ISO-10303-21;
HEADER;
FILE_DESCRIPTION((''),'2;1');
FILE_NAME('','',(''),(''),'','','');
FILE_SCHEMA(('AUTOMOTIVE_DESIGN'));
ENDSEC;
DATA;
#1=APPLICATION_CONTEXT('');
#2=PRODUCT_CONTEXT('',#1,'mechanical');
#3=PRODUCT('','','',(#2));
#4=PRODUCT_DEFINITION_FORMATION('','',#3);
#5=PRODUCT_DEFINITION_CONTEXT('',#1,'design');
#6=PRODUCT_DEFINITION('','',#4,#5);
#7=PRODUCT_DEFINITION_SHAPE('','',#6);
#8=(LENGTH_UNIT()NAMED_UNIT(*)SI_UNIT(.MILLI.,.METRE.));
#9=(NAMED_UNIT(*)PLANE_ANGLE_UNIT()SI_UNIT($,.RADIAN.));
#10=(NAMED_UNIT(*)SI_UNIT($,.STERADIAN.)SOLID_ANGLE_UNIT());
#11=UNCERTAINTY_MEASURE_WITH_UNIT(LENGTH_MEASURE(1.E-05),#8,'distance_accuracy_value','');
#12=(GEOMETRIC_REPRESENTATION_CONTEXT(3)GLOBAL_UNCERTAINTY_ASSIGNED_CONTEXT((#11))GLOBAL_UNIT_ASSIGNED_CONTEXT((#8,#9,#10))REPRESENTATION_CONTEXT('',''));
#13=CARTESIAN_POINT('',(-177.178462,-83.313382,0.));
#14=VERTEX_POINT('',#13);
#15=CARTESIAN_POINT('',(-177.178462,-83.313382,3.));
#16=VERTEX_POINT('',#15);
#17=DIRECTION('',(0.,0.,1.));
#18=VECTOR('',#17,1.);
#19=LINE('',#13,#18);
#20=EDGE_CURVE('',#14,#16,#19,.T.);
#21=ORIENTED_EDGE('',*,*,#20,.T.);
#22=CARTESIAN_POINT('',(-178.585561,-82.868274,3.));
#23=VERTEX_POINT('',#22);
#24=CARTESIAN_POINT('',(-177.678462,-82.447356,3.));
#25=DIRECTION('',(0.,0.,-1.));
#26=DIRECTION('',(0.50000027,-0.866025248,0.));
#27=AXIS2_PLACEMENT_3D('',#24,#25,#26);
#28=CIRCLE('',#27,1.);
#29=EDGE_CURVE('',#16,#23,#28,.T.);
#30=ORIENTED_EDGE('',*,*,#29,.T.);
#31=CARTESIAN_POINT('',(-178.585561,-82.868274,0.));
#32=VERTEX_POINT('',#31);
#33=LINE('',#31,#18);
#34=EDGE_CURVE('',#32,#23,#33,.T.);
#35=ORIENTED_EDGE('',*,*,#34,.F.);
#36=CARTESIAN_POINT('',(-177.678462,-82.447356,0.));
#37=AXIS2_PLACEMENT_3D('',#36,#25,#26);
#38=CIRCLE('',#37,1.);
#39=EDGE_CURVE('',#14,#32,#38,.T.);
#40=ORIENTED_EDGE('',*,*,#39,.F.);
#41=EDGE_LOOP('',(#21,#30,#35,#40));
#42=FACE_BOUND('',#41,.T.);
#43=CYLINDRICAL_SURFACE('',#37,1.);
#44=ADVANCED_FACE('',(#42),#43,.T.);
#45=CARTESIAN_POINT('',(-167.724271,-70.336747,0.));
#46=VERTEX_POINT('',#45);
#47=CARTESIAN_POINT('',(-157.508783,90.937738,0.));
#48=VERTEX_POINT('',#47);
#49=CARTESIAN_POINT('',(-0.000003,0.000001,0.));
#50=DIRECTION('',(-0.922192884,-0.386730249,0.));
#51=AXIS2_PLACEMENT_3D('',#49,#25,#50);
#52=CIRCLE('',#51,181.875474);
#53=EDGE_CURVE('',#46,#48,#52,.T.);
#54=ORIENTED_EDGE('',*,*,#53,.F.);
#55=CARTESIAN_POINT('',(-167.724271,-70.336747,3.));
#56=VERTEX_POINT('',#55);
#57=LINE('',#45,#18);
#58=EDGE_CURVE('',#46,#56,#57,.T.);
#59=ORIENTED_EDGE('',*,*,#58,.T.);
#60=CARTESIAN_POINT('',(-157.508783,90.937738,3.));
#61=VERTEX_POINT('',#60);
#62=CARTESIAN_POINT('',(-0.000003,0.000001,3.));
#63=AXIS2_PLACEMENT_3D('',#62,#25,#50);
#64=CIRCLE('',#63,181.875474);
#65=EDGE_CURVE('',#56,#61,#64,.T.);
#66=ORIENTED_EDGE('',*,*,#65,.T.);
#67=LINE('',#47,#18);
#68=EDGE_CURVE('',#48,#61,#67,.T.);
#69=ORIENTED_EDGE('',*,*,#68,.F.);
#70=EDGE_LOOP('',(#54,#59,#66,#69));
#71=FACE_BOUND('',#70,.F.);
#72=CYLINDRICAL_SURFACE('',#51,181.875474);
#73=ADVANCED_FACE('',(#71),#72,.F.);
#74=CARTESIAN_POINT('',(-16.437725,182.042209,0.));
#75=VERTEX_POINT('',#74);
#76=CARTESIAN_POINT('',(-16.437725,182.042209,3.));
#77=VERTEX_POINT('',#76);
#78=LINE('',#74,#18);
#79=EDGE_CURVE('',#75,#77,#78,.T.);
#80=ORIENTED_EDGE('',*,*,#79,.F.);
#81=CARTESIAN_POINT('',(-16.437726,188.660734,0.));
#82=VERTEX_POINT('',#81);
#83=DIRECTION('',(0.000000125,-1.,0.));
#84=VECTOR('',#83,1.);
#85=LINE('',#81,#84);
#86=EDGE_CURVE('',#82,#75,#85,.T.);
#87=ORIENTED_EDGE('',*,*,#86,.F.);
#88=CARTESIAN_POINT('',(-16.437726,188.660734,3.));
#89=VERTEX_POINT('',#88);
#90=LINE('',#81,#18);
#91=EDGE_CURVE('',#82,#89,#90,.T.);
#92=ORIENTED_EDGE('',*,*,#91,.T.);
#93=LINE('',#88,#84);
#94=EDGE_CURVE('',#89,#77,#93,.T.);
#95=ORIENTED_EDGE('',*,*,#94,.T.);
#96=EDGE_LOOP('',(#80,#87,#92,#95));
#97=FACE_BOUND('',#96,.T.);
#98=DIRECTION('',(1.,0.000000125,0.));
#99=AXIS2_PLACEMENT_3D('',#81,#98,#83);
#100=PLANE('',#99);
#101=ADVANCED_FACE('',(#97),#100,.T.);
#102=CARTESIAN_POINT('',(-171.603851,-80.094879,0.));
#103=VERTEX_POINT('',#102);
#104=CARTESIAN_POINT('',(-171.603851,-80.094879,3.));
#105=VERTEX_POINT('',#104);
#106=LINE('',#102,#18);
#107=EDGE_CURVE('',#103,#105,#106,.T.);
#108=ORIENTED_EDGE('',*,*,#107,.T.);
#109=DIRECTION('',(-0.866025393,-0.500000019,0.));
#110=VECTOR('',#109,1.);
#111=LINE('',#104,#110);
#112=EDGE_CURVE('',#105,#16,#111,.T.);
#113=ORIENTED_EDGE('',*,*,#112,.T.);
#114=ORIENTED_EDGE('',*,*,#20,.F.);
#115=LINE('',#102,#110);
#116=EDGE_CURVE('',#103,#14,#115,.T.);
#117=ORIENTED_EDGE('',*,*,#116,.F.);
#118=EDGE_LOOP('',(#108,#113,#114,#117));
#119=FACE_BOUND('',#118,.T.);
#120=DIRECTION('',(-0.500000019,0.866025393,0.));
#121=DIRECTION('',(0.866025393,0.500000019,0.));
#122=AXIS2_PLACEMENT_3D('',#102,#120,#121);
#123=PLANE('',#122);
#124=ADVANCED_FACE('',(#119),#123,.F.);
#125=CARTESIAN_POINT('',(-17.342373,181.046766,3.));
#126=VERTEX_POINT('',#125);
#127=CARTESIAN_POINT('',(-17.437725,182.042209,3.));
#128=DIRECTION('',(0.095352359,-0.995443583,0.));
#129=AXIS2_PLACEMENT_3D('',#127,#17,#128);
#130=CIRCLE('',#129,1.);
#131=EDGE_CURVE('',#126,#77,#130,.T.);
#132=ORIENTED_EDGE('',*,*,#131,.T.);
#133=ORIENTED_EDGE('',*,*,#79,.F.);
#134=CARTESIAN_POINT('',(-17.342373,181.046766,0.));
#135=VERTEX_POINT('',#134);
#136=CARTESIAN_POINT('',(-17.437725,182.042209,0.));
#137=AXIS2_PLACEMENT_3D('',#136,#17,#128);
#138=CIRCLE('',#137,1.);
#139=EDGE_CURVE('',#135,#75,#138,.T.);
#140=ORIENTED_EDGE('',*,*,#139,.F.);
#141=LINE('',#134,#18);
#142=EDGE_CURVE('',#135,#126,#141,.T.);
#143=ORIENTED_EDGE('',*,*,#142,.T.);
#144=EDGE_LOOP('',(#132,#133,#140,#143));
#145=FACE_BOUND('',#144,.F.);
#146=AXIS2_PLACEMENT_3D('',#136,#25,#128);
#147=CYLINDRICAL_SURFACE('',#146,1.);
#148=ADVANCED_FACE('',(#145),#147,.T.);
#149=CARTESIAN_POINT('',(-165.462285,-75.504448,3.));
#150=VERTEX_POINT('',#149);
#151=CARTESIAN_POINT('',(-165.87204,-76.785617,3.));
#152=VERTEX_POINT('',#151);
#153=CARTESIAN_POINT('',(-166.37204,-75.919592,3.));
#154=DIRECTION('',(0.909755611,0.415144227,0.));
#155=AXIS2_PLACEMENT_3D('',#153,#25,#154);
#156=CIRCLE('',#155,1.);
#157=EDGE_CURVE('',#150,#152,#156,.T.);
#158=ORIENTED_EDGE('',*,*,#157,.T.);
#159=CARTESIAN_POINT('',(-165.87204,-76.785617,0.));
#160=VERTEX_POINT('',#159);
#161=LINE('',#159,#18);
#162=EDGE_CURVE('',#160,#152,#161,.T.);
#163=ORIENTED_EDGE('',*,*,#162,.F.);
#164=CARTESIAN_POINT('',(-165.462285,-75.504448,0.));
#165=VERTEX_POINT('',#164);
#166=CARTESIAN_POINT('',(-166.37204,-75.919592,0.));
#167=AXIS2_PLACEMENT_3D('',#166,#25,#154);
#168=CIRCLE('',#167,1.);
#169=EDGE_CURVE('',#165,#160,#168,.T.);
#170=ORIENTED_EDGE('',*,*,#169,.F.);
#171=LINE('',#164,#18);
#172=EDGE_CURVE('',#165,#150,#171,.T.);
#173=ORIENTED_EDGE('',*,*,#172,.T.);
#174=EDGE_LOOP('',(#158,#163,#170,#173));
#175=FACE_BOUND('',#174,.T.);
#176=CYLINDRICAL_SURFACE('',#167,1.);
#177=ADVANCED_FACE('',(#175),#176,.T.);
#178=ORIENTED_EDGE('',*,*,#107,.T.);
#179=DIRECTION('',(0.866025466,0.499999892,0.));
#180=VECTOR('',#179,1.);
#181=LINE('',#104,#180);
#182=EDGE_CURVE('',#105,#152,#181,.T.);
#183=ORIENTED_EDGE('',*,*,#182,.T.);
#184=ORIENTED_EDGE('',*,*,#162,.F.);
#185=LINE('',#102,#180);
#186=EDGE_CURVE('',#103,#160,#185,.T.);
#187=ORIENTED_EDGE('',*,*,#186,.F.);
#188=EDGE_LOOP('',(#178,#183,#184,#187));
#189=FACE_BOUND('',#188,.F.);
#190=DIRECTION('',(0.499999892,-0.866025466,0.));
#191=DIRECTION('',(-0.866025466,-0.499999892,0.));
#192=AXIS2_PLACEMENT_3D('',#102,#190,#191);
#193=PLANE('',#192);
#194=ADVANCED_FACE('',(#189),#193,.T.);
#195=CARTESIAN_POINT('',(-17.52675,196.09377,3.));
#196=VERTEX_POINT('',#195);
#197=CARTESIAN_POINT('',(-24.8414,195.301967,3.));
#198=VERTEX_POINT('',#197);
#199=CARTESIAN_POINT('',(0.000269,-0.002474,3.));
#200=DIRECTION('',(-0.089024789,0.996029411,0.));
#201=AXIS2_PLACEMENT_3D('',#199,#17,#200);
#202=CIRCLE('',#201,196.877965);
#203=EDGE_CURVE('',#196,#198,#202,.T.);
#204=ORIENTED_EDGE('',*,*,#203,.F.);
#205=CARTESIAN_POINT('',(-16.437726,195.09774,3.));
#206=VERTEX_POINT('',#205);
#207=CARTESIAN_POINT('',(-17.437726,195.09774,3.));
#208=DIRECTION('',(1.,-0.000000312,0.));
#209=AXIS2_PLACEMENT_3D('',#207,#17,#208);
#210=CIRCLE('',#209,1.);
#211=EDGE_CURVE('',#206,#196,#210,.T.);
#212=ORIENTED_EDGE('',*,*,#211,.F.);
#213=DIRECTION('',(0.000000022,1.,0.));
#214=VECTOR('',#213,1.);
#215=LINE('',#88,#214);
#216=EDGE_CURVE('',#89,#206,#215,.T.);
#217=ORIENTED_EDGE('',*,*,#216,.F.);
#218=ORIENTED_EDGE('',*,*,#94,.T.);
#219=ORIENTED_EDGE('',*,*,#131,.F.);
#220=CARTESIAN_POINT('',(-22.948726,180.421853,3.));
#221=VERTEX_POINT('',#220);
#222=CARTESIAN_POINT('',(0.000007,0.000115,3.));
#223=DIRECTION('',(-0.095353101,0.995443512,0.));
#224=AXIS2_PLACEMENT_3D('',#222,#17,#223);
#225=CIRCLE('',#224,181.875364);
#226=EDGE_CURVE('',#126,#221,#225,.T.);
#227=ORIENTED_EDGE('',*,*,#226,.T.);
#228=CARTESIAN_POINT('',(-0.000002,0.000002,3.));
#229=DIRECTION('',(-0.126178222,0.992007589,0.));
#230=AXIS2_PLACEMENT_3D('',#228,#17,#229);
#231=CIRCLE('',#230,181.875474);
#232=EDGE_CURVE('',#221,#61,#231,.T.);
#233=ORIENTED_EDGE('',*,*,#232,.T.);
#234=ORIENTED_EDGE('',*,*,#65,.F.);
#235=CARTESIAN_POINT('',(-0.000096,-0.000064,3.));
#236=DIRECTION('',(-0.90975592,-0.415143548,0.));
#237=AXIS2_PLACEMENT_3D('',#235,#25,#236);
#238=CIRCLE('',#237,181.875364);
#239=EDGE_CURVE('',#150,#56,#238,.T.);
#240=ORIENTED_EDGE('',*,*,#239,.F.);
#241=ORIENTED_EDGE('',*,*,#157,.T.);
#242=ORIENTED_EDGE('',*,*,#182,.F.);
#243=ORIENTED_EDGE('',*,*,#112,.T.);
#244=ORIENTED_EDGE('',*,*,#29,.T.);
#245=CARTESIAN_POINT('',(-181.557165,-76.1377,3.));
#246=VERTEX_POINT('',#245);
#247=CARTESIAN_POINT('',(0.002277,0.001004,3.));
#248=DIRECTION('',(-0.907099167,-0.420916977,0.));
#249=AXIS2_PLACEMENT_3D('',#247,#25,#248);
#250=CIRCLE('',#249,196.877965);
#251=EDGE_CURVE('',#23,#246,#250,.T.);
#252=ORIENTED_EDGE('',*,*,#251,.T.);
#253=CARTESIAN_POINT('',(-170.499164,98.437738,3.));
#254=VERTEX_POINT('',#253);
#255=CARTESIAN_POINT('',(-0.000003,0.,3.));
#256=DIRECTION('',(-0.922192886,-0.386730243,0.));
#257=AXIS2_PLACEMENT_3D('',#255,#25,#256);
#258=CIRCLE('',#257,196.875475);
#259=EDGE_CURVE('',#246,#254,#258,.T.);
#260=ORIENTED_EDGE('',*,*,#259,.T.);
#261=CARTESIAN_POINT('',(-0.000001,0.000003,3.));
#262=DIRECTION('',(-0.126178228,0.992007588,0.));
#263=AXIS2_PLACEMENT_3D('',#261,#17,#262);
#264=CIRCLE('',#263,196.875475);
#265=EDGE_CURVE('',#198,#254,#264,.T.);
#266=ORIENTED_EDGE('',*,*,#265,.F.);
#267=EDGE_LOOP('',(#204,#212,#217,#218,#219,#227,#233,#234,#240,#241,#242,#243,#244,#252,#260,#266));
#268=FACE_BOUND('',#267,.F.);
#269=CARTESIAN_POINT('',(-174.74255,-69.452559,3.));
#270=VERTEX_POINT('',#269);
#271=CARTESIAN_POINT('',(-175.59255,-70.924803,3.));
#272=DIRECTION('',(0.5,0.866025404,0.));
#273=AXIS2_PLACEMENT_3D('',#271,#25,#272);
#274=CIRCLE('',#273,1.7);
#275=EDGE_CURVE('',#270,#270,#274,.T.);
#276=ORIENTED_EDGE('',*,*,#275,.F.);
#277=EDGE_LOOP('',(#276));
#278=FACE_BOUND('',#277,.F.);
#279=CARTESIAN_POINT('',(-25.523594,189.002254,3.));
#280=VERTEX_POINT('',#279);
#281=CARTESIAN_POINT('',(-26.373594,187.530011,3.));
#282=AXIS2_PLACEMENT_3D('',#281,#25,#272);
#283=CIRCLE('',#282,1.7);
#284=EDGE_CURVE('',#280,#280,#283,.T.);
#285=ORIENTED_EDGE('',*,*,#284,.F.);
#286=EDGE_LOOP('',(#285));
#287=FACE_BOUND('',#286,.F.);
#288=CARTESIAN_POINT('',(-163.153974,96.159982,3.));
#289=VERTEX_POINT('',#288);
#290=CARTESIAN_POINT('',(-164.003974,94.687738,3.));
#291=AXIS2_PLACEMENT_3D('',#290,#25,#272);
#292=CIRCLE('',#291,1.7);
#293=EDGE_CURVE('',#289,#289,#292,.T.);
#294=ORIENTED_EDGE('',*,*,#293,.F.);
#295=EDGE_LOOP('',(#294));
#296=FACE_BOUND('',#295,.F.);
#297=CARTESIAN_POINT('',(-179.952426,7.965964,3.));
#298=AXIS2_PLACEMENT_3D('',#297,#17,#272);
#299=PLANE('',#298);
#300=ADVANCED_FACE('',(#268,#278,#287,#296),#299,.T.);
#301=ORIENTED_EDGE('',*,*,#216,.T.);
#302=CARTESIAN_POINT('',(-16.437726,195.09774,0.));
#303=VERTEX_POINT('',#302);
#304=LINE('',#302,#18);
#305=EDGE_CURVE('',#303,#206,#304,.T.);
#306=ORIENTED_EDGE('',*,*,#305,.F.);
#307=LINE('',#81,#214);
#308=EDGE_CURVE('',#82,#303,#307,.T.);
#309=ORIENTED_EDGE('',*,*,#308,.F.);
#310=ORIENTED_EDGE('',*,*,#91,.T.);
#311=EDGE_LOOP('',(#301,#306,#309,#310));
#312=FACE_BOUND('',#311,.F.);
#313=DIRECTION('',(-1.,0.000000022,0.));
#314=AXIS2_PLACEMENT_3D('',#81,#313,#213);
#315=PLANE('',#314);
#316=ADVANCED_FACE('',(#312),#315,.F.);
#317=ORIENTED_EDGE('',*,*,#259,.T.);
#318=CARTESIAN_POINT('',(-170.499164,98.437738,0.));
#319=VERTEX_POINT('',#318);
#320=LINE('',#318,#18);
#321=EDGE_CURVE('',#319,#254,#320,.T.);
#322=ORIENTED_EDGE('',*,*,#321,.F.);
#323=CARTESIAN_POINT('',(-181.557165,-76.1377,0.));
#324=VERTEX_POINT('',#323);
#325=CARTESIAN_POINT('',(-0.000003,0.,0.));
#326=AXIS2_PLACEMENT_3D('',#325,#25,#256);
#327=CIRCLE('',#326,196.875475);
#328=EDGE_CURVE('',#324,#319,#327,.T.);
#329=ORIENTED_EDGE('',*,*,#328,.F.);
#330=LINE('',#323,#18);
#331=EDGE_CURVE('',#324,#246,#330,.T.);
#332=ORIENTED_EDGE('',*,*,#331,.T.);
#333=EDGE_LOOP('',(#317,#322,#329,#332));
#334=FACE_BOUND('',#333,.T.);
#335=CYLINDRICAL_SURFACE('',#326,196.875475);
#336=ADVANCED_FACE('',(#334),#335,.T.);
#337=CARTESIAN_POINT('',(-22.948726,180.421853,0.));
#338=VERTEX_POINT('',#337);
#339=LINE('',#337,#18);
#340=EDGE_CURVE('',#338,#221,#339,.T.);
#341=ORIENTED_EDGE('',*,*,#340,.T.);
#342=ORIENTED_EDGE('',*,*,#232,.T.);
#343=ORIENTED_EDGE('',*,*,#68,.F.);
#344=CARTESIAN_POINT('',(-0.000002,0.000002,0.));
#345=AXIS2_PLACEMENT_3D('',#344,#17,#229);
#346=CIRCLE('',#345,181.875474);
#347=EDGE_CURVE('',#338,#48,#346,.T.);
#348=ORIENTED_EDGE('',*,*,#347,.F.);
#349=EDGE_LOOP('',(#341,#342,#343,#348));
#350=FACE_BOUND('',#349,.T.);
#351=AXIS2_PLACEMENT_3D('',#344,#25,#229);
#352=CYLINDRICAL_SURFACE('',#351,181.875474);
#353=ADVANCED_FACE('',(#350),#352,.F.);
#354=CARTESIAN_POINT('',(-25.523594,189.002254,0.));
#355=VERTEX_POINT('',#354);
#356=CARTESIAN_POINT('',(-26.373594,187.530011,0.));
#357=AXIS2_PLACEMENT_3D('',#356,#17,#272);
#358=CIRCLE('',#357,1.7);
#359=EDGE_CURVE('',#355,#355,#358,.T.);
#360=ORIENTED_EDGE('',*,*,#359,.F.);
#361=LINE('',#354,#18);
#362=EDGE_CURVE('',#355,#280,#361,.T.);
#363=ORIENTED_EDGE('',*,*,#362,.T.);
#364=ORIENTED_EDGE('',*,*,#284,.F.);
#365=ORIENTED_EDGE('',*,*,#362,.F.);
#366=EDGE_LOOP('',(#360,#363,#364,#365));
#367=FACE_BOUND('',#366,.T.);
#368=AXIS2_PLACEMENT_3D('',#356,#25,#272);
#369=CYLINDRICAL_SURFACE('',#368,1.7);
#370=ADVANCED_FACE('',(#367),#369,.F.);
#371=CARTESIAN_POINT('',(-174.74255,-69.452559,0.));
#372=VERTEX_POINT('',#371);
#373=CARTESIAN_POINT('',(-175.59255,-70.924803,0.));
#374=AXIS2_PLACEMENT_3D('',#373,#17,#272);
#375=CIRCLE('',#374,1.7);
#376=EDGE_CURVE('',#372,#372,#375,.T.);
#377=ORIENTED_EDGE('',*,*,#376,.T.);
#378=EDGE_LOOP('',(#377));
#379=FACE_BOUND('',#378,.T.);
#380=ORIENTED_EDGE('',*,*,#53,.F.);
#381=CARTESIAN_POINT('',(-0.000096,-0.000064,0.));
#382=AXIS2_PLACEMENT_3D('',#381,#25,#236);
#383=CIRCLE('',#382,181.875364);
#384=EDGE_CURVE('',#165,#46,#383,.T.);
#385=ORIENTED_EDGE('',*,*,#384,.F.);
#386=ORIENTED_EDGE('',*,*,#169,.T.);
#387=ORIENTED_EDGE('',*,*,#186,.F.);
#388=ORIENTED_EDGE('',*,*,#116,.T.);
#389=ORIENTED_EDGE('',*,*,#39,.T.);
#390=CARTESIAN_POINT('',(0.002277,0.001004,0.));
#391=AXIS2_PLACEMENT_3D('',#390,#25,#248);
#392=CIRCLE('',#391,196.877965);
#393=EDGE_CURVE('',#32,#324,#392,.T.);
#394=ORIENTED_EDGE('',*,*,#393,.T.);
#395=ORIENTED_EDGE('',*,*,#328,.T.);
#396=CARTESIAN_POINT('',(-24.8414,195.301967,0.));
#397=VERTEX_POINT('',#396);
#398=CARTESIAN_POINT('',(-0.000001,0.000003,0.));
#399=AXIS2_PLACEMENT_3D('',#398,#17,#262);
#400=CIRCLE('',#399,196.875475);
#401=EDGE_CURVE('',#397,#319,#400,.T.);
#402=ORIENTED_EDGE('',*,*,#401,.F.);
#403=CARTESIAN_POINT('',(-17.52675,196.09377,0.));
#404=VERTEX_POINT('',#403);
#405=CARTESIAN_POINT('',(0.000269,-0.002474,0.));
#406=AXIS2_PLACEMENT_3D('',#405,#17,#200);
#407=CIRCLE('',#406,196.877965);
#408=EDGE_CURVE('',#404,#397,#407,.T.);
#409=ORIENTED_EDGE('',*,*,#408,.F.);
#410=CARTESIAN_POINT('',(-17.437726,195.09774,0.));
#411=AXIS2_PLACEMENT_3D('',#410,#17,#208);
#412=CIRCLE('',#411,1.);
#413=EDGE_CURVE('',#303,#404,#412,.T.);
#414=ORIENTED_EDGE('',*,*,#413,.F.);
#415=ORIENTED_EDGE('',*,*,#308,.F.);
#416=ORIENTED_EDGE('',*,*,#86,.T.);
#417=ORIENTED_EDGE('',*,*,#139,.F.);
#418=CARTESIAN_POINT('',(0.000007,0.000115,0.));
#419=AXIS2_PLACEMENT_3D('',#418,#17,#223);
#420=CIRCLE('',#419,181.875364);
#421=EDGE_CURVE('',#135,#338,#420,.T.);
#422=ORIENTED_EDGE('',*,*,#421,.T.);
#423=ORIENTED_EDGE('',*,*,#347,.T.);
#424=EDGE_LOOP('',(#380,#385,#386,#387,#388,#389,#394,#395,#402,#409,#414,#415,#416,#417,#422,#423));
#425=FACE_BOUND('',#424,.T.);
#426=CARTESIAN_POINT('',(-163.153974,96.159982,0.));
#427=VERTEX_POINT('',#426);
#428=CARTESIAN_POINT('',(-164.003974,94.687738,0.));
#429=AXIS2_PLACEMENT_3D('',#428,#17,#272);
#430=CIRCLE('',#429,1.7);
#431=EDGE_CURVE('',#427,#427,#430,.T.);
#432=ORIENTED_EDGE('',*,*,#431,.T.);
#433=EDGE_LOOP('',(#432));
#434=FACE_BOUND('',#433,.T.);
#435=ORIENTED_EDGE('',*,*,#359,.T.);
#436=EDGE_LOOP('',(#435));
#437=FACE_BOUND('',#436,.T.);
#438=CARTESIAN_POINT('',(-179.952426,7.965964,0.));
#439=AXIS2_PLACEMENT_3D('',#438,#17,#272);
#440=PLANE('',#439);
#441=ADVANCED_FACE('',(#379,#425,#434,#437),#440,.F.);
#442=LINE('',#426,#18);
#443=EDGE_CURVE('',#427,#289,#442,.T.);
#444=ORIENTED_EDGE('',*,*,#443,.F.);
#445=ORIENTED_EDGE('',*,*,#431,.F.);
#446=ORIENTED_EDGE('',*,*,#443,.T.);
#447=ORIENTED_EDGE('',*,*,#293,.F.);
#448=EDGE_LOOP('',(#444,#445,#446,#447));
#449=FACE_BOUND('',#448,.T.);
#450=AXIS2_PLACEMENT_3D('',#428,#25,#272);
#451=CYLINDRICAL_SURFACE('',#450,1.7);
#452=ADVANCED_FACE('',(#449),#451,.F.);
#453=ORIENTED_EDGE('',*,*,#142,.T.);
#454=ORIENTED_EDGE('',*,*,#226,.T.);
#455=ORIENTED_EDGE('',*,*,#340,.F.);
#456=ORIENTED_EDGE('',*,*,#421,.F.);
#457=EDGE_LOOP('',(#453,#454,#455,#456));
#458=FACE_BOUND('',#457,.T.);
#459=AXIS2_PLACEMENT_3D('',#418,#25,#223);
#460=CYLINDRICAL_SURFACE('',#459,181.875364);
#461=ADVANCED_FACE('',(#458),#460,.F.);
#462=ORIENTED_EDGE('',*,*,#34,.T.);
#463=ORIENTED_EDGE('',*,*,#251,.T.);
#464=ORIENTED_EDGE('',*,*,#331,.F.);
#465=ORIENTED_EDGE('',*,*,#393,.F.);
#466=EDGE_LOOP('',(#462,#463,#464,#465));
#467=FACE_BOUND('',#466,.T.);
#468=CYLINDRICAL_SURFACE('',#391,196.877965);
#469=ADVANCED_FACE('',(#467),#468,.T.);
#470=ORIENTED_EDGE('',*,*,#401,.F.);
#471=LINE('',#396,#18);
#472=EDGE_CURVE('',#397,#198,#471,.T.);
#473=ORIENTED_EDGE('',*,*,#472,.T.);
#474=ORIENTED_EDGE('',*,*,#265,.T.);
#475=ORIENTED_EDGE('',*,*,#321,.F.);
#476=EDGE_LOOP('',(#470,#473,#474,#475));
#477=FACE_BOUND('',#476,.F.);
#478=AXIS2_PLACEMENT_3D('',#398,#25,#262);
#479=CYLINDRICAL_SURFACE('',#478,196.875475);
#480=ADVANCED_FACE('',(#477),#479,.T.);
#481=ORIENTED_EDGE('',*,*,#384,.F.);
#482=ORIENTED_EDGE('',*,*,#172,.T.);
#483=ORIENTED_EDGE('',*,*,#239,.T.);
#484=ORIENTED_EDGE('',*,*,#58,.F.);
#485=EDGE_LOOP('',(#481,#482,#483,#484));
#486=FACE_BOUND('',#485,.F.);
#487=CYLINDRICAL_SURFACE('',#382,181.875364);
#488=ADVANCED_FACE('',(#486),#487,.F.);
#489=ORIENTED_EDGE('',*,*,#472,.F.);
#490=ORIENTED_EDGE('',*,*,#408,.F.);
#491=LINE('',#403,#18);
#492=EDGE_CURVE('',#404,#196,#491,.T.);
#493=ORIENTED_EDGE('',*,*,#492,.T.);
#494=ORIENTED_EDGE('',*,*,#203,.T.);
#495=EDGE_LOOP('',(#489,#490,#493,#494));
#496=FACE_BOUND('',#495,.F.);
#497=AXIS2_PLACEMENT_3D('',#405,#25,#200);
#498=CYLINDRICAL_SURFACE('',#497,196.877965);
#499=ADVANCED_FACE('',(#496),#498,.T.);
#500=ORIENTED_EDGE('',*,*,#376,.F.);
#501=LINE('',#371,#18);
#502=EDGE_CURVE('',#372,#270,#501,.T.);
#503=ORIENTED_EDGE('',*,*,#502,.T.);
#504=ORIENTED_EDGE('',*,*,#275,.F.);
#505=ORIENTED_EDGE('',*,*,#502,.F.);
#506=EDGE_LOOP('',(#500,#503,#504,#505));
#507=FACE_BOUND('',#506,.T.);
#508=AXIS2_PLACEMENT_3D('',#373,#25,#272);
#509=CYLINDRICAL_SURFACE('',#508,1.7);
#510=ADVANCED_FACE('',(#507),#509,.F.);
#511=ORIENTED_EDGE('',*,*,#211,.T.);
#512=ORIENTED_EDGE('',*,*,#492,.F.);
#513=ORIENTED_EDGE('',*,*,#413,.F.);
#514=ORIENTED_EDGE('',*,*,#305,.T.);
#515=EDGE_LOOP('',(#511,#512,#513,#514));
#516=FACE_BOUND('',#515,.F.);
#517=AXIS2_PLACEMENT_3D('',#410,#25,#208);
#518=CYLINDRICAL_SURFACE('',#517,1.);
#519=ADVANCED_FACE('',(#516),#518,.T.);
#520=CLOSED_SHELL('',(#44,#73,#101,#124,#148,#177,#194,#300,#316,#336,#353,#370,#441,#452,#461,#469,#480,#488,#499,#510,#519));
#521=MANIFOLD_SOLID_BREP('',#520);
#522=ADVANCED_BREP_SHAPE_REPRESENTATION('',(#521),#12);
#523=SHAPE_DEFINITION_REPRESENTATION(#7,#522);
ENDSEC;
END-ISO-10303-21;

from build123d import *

# Parameters (mm, degrees)
PAD021_DEPTH                        = 3
SKETCH083_R                         = 1.7
POCKET041_DEPTH                     = 0.001
POCKET041_DEPTH_BACK                = 3.001
SKETCH084_R                         = 1.7
POCKET042_DEPTH                     = 0.001
POCKET042_DEPTH_BACK                = 3.001
BODY001003005003013_PLACEMENT_ANGLE = 60


with BuildPart() as part:
    # Sketch082 → Pad021 (new body)
    with BuildSketch(Plane.XY):
        with BuildLine():
            ThreePointArc((156.715765, 119.164267), (87.462654, 176.380945), (0, 196.875477))
            Line((0, 196.875477), (0, 181.875477))
            ThreePointArc((144.775545, 110.085106), (80.798849, 162.942429), (0, 181.875477))
            ThreePointArc((148.119912, 105.542318), (146.465342, 107.826679), (144.775545, 110.085106))
            ThreePointArc((148.119912, 105.542318), (148.721895, 105.145439), (149.434315, 105.256592))
            Line((155.166125, 108.565855), (149.434315, 105.256592))
            Line((155.166125, 108.565855), (160.740736, 111.784358))
            ThreePointArc((160.740736, 111.784358), (161.217235, 112.43486), (161.058811, 113.225496))
            ThreePointArc((161.058811, 113.225496), (158.915032, 116.215171), (156.715765, 119.164267))
        make_face()
    pad021 = extrude(amount=PAD021_DEPTH)

    # Mirrored029: Pad021 across Sketch082 V_Axis
    add(pad021.mirror(Plane(origin=(0, 0, 0), x_dir=(0, 0, 1), z_dir=(1, 0, 0))))

    # Sketch083 → Pocket041 (cut, two sides)
    with BuildSketch(Plane.XY) as pocket041_sk:
        with Locations((149.218956, 116.605208)):
            Circle(SKETCH083_R)
        with Locations((-149.218956, 116.605208)):
            Circle(SKETCH083_R)
    extrude(amount=-POCKET041_DEPTH, mode=Mode.SUBTRACT)
    extrude(pocket041_sk.sketch, amount=POCKET041_DEPTH_BACK, mode=Mode.SUBTRACT)

    # Sketch084 → Pocket042 (cut, two sides)
    with BuildSketch(Plane.XY) as pocket042_sk:
        with Locations((0, 189.375477)):
            Circle(SKETCH084_R)
    extrude(amount=-POCKET042_DEPTH, mode=Mode.SUBTRACT)
    extrude(pocket042_sk.sketch, amount=POCKET042_DEPTH_BACK, mode=Mode.SUBTRACT)


with BuildPart() as part_1:
    # Body001003005003013 placement: moved
    add(part.part.rotate(Axis((0, 0, 0), (0, 0, 1)), BODY001003005003013_PLACEMENT_ANGLE))


solid = part_1.part
